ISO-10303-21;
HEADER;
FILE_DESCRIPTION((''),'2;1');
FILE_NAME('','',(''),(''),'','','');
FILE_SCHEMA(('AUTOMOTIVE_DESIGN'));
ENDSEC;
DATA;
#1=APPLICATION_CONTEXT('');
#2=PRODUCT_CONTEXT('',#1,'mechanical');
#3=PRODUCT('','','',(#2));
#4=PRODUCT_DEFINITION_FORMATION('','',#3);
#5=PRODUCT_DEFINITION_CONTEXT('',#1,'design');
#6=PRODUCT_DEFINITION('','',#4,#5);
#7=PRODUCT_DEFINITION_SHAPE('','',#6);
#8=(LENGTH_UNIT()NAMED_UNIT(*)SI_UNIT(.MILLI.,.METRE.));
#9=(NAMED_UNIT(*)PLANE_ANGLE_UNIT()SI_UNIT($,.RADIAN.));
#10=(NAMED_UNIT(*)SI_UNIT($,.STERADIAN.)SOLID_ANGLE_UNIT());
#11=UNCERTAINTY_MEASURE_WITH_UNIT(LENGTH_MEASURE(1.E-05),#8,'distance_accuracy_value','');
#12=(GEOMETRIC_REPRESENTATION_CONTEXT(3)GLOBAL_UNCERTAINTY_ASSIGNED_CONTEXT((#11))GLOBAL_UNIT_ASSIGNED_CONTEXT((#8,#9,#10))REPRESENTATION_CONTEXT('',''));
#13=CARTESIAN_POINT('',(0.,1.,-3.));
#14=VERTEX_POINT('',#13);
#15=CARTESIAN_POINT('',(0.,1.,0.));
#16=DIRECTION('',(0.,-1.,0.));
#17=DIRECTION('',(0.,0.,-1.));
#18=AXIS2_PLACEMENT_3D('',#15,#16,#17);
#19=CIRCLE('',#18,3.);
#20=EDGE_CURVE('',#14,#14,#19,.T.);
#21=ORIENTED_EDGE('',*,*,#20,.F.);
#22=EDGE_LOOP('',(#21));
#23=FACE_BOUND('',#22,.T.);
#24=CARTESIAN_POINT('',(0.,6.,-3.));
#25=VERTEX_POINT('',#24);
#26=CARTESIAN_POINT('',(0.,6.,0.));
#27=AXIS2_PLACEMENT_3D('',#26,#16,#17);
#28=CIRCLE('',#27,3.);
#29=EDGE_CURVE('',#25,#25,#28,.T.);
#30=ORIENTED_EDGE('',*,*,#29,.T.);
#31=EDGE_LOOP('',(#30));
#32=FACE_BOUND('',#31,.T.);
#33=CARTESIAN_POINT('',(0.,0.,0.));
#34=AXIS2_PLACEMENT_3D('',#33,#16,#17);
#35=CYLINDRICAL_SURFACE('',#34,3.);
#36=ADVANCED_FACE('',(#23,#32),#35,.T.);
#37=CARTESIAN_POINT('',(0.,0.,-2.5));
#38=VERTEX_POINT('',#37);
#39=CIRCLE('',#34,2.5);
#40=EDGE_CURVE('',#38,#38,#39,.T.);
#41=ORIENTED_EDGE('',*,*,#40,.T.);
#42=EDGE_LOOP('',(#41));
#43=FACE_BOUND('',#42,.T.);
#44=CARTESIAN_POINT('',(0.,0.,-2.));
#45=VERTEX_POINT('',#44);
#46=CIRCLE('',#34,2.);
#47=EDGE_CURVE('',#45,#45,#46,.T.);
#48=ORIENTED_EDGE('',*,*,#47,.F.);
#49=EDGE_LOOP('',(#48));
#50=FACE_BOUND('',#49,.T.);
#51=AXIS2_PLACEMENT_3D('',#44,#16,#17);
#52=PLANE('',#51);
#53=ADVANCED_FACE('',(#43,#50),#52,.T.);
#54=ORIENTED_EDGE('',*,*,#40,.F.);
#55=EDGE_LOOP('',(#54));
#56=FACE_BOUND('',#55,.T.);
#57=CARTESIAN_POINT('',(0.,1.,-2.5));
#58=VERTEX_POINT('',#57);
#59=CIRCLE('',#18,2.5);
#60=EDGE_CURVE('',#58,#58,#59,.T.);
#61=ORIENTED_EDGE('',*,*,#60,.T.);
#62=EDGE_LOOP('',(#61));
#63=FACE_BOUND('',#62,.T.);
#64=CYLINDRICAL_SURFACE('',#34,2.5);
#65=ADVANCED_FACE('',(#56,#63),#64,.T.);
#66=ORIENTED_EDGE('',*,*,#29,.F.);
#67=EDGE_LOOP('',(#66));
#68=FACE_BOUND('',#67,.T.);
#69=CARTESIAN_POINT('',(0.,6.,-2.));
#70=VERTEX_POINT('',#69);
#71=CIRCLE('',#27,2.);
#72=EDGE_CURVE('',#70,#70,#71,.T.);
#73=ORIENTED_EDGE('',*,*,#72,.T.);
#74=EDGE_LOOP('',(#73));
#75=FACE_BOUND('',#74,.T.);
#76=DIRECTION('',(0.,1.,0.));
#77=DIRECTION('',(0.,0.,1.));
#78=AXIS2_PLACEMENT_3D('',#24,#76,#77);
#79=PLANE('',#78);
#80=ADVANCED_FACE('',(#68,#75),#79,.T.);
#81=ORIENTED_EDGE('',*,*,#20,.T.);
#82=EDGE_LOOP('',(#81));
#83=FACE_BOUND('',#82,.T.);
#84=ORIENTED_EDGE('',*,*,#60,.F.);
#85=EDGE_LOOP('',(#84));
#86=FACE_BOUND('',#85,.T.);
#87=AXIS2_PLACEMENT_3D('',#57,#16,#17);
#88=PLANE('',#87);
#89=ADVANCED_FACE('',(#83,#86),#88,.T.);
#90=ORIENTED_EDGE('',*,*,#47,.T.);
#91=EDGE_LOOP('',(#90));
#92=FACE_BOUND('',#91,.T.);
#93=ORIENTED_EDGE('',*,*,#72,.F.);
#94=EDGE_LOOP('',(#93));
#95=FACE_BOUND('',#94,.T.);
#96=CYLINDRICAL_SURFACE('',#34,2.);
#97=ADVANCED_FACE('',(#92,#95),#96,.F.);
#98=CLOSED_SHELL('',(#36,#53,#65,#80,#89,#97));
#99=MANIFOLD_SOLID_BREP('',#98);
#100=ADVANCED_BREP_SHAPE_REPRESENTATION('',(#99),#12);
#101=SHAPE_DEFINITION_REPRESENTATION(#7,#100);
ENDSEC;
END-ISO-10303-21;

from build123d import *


with BuildPart() as part:
    # Sketch1 → Revolve1 (revolve)
    with BuildSketch(Plane(origin=(0, 0, 0), x_dir=(0, 0, -1), z_dir=(1, 0, 0))):
        Polygon((2, 6), (2, 0), (2.5, 0), (2.5, 1), (3, 1), (3, 6), align=None)
    revolve(axis=Axis((0, 0, 0), (0, 1, 0)))


solid = part.part
